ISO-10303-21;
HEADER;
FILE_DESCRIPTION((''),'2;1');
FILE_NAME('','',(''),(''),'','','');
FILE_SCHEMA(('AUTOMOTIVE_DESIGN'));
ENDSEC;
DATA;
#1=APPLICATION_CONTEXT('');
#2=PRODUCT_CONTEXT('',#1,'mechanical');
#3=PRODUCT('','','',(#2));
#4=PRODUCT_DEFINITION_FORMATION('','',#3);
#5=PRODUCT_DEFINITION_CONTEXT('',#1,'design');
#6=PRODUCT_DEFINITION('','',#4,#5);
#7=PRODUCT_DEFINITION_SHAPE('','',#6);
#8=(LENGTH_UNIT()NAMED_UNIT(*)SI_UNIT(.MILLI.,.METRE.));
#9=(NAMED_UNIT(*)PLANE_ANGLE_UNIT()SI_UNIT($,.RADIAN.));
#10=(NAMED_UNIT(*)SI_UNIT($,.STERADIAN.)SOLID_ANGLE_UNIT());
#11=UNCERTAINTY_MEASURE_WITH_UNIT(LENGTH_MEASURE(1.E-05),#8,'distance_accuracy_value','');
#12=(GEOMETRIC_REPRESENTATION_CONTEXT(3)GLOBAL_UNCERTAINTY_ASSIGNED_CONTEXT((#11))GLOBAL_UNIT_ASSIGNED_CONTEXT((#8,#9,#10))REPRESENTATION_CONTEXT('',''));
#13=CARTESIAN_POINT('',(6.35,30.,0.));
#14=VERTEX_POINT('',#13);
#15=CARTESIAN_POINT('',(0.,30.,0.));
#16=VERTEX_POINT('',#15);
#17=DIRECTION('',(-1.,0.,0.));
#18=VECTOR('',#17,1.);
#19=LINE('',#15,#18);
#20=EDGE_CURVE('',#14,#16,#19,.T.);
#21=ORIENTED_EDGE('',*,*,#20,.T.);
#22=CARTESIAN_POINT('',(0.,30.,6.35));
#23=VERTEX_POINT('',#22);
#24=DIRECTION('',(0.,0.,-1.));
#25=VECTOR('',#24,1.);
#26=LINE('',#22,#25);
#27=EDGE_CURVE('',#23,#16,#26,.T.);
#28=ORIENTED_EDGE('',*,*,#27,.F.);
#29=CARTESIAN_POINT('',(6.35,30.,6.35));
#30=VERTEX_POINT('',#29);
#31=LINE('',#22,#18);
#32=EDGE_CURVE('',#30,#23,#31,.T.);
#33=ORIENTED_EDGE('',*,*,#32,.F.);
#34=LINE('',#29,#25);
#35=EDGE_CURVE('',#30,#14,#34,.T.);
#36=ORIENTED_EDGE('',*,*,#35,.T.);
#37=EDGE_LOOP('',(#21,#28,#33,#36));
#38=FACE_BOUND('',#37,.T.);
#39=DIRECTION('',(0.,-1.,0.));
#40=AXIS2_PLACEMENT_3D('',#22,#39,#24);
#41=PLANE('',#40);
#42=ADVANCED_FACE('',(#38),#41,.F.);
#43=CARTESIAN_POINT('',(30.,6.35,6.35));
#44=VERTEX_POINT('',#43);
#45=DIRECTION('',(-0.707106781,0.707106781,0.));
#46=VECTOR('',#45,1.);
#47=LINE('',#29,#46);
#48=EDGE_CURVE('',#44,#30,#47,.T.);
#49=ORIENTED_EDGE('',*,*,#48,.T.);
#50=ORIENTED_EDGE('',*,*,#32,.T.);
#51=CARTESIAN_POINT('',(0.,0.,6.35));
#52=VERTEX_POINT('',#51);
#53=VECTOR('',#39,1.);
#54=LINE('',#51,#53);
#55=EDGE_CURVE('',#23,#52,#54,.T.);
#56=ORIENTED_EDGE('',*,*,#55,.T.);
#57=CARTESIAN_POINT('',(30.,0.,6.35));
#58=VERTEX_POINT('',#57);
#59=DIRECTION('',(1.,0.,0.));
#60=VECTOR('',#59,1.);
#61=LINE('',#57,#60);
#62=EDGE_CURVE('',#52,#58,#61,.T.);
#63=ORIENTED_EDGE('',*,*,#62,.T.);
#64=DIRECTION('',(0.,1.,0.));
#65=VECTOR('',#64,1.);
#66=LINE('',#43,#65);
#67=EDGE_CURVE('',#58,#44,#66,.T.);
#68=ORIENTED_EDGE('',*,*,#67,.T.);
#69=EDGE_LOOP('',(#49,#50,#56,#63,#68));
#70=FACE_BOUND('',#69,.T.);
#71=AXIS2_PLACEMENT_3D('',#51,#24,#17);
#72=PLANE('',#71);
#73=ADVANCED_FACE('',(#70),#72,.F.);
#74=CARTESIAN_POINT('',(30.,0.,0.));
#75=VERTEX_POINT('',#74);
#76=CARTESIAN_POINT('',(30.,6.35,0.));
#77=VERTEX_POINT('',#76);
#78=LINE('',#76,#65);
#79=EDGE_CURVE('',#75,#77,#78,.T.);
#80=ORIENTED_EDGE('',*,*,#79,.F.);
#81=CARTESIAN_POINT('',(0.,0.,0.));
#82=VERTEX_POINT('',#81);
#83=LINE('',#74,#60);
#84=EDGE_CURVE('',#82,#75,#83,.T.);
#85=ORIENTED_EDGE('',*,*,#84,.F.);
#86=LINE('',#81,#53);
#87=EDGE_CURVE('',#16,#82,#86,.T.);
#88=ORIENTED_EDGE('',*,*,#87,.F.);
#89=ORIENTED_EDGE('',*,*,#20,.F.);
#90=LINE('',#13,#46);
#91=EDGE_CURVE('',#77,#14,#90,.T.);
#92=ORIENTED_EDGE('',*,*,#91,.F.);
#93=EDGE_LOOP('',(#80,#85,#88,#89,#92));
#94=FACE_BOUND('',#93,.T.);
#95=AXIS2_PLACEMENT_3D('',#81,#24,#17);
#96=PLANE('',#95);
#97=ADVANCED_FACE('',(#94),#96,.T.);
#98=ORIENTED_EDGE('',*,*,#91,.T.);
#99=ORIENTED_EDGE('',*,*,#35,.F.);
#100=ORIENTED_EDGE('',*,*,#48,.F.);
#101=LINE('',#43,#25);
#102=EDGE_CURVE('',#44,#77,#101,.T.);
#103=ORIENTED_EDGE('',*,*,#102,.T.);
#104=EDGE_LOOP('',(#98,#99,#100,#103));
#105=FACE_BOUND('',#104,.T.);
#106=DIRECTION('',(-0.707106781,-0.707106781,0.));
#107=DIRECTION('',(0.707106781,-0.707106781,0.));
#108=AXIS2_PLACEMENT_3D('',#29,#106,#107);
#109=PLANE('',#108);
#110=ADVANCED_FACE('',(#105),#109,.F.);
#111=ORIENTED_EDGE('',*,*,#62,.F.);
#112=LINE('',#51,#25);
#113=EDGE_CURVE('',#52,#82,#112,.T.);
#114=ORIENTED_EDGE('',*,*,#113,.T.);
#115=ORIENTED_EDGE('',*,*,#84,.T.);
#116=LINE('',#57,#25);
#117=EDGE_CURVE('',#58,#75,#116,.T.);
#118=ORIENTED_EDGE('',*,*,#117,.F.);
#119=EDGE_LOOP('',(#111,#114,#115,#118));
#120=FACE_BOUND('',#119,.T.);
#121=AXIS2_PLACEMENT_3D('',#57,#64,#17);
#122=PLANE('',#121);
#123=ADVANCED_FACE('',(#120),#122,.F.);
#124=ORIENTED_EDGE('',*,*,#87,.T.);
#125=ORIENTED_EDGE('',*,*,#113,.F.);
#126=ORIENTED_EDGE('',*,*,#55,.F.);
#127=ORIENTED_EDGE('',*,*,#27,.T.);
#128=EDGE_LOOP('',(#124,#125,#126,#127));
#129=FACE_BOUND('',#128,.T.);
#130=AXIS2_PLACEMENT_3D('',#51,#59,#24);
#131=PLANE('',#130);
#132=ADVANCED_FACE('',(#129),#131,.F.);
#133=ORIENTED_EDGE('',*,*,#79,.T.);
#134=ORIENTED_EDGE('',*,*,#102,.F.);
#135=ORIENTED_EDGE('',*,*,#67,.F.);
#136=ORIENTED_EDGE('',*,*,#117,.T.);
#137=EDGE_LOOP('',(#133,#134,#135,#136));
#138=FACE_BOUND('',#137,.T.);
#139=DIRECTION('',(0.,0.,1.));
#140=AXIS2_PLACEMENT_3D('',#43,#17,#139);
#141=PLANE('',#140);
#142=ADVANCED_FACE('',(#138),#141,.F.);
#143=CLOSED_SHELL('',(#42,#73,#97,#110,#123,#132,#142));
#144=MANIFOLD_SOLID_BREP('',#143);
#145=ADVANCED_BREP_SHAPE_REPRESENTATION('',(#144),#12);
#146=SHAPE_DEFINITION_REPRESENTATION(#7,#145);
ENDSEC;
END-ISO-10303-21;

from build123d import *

# Parameters (mm, degrees)
BOSS_EXTRUDE1_DEPTH = 6.35


with BuildPart() as part:
    # Sketch1 → Boss-Extrude1 (new body)
    with BuildSketch(Plane.XY):
        Polygon((0, 0), (0, 30), (6.35, 30), (30, 6.35), (30, 0), align=None)
    extrude(amount=BOSS_EXTRUDE1_DEPTH)


solid = part.part
